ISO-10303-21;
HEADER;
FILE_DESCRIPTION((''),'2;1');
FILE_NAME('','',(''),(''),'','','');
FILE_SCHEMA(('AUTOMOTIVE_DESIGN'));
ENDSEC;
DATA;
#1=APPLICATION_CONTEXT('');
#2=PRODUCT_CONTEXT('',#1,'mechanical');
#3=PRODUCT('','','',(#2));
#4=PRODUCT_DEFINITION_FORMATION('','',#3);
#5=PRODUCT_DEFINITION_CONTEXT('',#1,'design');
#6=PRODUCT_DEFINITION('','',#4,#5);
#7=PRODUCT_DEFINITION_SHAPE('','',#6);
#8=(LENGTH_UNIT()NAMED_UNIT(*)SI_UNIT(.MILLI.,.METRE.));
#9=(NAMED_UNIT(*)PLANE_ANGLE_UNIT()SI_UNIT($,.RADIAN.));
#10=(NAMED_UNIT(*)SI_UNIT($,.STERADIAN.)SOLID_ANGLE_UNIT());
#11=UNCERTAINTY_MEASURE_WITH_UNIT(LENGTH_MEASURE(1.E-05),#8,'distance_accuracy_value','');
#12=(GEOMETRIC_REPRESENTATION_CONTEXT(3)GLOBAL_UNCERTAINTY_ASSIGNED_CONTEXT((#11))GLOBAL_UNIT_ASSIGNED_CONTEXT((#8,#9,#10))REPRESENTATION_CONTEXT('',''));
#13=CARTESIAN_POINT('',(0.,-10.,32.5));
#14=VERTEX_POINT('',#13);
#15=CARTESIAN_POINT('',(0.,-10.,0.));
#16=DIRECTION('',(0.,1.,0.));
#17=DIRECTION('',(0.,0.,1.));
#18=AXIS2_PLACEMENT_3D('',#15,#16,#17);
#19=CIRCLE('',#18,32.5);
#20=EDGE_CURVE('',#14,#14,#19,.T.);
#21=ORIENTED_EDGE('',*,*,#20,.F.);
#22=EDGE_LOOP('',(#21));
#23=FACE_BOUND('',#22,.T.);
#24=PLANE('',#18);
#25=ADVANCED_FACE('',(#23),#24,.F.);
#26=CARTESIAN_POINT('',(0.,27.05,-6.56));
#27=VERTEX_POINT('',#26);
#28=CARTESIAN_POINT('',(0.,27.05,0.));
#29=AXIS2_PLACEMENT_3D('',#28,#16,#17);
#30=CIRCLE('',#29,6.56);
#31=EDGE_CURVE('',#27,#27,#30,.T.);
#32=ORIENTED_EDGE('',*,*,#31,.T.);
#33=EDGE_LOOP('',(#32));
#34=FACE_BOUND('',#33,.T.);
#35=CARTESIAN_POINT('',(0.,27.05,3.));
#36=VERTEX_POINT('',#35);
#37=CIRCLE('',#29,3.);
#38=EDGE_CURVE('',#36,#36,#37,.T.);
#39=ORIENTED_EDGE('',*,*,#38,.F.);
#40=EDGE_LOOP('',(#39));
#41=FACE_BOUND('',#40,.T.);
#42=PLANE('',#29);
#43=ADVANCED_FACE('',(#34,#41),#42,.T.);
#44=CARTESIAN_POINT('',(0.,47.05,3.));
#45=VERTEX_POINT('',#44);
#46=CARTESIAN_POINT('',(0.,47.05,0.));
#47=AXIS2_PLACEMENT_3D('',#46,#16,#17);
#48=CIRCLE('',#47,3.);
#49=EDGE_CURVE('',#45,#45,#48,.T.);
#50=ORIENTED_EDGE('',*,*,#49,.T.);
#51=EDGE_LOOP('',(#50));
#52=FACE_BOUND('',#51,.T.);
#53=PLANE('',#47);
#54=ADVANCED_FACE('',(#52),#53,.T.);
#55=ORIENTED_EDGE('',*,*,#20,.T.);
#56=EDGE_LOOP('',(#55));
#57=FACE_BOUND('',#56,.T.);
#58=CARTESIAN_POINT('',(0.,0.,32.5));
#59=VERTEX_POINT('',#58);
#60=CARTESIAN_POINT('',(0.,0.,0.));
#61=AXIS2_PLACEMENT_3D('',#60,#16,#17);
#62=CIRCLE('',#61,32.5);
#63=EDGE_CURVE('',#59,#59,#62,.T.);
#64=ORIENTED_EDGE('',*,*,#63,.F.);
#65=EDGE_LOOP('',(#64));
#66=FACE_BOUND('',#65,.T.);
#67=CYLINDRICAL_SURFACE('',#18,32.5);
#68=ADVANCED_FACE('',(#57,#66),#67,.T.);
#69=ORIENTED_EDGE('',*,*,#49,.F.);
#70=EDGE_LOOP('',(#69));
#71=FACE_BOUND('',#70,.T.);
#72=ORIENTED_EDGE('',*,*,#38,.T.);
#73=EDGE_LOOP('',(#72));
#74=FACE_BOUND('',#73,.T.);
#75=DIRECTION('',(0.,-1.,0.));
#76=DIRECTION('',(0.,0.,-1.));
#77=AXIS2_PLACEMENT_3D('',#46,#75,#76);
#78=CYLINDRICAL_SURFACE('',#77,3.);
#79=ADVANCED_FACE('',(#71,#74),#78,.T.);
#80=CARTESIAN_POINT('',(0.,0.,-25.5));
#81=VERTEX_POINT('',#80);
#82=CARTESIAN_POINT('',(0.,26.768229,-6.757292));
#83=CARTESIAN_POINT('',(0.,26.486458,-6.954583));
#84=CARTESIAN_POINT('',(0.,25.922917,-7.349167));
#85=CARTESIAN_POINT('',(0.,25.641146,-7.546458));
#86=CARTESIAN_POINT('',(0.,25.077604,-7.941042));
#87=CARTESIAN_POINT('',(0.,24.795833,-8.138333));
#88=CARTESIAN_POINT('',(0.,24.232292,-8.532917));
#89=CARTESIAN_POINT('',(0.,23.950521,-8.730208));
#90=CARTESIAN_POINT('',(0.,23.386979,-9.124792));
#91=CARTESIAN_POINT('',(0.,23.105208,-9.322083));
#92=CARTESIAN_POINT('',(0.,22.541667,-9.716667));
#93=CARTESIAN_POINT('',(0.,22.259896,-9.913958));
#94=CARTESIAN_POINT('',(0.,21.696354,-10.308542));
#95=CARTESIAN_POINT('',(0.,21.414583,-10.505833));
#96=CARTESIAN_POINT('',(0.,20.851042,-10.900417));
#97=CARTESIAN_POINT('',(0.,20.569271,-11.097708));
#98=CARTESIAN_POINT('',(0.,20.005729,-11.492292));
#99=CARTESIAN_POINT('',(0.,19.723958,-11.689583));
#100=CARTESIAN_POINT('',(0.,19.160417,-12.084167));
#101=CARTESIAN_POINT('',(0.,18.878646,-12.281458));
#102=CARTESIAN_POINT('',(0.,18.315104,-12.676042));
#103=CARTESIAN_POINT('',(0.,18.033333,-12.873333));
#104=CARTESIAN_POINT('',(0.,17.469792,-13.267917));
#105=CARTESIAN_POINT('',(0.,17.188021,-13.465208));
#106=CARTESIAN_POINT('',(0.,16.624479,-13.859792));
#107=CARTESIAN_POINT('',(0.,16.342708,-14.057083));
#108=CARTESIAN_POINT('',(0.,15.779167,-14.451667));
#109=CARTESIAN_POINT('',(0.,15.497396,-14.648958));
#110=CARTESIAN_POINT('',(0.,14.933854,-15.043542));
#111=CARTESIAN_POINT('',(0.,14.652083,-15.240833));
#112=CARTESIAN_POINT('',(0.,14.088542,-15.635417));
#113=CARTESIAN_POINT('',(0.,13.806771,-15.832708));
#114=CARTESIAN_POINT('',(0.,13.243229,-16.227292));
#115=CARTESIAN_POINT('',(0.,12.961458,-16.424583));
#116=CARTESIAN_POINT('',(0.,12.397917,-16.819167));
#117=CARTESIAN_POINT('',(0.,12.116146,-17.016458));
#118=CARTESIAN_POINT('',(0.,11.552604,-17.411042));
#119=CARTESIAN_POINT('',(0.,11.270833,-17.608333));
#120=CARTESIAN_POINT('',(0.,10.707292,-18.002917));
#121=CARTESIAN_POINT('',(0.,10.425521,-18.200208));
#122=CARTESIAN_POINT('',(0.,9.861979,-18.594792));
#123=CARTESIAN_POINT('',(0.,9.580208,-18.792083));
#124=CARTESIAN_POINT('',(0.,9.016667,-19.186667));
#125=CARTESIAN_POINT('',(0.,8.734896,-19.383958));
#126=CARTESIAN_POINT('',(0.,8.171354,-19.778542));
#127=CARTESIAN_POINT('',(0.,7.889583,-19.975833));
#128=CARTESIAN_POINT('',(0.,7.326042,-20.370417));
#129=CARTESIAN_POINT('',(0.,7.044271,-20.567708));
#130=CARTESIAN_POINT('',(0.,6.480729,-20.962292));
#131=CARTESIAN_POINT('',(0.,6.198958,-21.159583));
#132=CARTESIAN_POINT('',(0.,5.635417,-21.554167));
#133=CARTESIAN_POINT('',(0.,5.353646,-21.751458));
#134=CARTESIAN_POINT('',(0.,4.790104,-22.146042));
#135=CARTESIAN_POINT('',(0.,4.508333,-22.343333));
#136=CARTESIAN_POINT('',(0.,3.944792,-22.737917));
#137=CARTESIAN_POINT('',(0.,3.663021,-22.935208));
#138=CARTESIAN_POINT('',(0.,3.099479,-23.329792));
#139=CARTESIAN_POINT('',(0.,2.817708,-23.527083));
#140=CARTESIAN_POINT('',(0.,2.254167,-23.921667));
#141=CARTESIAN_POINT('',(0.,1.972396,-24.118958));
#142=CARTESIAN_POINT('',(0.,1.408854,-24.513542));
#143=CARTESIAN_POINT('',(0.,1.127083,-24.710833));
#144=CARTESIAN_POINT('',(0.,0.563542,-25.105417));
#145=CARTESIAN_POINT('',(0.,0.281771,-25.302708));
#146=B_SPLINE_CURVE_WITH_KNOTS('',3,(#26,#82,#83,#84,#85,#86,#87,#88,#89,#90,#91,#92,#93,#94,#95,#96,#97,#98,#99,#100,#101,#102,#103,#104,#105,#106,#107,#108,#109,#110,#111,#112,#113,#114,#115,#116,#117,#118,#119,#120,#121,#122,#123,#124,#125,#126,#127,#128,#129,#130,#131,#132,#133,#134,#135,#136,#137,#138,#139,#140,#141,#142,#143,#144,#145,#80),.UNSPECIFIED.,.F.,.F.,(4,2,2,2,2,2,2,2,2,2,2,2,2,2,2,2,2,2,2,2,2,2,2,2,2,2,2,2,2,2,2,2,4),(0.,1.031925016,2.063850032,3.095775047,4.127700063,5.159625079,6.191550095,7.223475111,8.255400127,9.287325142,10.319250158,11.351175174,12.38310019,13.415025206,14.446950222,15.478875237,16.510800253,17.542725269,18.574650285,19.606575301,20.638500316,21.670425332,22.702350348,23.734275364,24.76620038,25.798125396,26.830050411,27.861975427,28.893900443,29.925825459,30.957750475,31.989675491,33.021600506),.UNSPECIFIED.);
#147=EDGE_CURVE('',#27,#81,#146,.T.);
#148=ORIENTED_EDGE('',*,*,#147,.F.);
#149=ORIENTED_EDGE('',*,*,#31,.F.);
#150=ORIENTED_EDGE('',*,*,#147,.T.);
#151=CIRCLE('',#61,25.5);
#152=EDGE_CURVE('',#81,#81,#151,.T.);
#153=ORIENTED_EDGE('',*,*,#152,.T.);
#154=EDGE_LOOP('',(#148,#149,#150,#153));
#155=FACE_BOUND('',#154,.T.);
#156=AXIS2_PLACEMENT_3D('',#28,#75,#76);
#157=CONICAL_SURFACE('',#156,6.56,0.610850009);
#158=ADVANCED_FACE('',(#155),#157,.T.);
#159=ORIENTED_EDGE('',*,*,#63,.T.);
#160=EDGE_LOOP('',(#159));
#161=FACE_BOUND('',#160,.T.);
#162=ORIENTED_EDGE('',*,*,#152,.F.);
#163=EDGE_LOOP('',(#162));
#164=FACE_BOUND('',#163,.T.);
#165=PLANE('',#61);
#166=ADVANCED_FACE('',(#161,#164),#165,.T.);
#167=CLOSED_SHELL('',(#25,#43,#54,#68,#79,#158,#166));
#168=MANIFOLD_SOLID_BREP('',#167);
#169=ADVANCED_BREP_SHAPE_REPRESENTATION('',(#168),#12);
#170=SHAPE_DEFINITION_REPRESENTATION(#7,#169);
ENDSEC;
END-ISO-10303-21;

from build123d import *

# Parameters (mm, degrees)
SKETCH_2_R      = 6.56
SKETCH_1_R      = 25.5
SKETCH_3_R      = 32.5
EXTRUDE_1_DEPTH = 10
SKETCH_4_R      = 3
EXTRUDE_2_DEPTH = 20


with BuildPart() as part:
    # 스케치2 → 로프트1 section 0
    with BuildSketch(Plane(origin=(0, 27.05, 0), x_dir=(1, 0, 0), z_dir=(0, 1, 0))):
        Circle(SKETCH_2_R)
    # 스케치1 → 로프트1 section 1
    with BuildSketch(Plane(origin=(0, 0, 0), x_dir=(1, 0, 0), z_dir=(0, 1, 0))):
        Circle(SKETCH_1_R)
    loft()

    # 스케치3 → 보스-돌출1 (add)
    with BuildSketch(Plane(origin=(0, 0, 0), x_dir=(1, 0, 0), z_dir=(0, 1, 0))):
        with Locations(Location((0, 0, 0), (0, 0, 270))):
            Circle(SKETCH_3_R)
    extrude(amount=-EXTRUDE_1_DEPTH)

    # 스케치4 → 보스-돌출2 (add)
    with BuildSketch(Plane(origin=(0, 27.05, 0), x_dir=(1, 0, 0), z_dir=(0, 1, 0))):
        with Locations(Location((0, 0, 0), (0, 0, 270))):
            Circle(SKETCH_4_R)
    extrude(amount=EXTRUDE_2_DEPTH)


solid = part.part
